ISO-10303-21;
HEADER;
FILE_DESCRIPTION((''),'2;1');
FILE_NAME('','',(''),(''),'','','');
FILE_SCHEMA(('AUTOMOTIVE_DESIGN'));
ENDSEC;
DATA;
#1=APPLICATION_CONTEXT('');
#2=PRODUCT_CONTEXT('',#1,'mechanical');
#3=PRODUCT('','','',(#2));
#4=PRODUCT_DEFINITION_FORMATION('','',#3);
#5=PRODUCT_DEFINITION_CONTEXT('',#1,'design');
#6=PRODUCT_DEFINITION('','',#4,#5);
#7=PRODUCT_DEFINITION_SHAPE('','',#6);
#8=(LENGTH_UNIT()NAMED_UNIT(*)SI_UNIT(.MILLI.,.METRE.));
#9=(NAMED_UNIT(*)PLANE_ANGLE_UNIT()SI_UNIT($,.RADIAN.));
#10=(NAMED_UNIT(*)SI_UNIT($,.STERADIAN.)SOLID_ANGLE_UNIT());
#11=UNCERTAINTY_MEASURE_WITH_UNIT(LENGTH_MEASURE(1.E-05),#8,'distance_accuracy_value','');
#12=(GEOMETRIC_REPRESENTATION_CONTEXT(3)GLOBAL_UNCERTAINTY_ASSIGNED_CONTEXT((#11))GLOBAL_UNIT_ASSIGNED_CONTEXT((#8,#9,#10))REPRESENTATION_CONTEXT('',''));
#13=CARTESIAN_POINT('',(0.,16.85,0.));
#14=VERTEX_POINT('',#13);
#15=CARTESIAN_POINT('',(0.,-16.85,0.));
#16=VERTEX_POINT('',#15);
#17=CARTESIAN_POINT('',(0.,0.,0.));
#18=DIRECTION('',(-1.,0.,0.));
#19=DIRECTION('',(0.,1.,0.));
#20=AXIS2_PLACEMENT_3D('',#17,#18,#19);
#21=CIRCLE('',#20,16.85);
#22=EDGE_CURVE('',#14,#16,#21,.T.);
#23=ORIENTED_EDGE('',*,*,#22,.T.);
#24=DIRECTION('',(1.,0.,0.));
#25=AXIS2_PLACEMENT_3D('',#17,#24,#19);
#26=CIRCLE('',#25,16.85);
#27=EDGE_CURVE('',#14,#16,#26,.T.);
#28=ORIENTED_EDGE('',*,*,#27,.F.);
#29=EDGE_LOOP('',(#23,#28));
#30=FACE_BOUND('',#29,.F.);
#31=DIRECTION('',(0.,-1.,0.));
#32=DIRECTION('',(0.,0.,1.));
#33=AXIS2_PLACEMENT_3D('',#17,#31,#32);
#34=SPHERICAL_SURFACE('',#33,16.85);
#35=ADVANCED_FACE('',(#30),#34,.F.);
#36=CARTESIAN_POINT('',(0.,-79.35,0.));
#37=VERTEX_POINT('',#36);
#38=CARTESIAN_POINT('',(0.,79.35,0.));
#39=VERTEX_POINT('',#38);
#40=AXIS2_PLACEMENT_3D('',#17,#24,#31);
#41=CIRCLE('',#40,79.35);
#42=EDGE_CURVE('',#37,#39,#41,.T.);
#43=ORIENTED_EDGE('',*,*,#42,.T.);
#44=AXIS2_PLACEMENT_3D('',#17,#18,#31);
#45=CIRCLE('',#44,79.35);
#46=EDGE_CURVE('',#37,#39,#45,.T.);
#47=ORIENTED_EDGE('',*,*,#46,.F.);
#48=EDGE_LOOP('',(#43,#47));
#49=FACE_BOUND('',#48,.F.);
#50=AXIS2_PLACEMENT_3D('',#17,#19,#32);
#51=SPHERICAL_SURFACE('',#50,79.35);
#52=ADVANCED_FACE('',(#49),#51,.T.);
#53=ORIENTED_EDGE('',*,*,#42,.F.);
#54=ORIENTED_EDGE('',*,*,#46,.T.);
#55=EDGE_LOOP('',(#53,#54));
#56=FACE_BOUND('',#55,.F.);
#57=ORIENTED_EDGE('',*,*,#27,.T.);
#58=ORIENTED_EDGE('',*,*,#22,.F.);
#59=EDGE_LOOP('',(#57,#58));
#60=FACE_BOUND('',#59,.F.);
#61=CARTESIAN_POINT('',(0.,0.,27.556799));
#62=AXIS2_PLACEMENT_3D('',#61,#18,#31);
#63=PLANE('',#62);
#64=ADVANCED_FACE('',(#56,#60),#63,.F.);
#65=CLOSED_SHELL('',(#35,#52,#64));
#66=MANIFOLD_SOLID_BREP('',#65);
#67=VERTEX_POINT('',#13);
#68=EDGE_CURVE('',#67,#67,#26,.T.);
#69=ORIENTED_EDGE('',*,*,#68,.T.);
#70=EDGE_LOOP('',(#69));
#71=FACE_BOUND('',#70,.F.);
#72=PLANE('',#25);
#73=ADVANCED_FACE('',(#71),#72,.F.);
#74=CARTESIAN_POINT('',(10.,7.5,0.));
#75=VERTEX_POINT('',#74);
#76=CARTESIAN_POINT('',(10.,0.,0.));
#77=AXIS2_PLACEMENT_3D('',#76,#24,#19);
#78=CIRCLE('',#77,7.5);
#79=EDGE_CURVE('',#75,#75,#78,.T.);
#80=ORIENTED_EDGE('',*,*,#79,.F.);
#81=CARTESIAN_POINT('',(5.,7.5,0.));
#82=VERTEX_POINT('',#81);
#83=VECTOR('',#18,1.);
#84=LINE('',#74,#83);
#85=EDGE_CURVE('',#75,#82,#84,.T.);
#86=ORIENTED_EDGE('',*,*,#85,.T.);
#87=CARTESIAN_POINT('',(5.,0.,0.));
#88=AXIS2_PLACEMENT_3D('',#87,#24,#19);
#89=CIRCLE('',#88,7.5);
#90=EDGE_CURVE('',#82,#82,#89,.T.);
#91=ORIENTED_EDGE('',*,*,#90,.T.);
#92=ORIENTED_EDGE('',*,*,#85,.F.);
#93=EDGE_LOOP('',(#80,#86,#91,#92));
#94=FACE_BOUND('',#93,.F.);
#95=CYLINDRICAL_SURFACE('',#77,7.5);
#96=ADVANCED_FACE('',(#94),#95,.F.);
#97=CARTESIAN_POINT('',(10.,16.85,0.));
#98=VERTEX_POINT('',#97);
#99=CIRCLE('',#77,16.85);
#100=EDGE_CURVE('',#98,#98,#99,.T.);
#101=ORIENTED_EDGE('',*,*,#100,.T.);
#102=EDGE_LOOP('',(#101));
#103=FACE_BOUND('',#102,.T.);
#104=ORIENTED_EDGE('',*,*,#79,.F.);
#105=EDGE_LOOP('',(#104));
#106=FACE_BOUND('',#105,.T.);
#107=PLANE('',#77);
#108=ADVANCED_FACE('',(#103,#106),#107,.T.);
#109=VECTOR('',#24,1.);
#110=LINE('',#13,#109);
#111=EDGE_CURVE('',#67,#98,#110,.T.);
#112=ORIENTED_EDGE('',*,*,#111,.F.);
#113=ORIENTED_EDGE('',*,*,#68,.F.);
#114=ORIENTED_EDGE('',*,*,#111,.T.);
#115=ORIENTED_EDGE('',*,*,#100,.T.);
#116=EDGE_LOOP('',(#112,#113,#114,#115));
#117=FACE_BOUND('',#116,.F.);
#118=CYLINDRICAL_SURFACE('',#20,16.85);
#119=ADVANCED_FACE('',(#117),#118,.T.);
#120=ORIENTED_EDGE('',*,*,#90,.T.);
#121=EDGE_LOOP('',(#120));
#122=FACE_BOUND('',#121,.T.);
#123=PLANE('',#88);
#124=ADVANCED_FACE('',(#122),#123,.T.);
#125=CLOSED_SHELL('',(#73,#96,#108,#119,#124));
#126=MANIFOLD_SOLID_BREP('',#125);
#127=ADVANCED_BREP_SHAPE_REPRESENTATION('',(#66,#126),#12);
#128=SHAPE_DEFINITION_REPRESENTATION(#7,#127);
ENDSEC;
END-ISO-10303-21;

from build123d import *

# Parameters (mm, degrees)
F0_R     = 16.85
F1_DEPTH = 10
F2_R     = 7.5
F3_DEPTH = 5
F5_ANGLE = 180


with BuildPart() as f1:
    # F0 (on Right) → F1 (new body)
    with BuildSketch(Plane.YZ):
        Circle(F0_R)
    extrude(amount=F1_DEPTH)

    # F2 (on face) → F3 (cut)
    with BuildSketch(Plane.YZ.offset(10)):
        Circle(F2_R)
    extrude(amount=-F3_DEPTH, mode=Mode.SUBTRACT)


with BuildPart() as f5:
    # F4 (on face) → F5 (revolve)
    with BuildSketch(Plane(origin=(0, 0, 0), x_dir=(0, -1, 0), z_dir=(-1, 0, 0))):
        with BuildLine():
            Line((16.85, 0), (79.35, 0))
            ThreePointArc((79.35, 0), (0, 79.35), (-79.35, 0))
            Line((-79.35, 0), (-16.85, 0))
            ThreePointArc((-16.85, 0), (0, 16.85), (16.85, 0))
        make_face()
    revolve(axis=Axis((0, 0, 0), (0, -1, 0)), revolution_arc=F5_ANGLE)


solid = Compound([f1.part, f5.part])
